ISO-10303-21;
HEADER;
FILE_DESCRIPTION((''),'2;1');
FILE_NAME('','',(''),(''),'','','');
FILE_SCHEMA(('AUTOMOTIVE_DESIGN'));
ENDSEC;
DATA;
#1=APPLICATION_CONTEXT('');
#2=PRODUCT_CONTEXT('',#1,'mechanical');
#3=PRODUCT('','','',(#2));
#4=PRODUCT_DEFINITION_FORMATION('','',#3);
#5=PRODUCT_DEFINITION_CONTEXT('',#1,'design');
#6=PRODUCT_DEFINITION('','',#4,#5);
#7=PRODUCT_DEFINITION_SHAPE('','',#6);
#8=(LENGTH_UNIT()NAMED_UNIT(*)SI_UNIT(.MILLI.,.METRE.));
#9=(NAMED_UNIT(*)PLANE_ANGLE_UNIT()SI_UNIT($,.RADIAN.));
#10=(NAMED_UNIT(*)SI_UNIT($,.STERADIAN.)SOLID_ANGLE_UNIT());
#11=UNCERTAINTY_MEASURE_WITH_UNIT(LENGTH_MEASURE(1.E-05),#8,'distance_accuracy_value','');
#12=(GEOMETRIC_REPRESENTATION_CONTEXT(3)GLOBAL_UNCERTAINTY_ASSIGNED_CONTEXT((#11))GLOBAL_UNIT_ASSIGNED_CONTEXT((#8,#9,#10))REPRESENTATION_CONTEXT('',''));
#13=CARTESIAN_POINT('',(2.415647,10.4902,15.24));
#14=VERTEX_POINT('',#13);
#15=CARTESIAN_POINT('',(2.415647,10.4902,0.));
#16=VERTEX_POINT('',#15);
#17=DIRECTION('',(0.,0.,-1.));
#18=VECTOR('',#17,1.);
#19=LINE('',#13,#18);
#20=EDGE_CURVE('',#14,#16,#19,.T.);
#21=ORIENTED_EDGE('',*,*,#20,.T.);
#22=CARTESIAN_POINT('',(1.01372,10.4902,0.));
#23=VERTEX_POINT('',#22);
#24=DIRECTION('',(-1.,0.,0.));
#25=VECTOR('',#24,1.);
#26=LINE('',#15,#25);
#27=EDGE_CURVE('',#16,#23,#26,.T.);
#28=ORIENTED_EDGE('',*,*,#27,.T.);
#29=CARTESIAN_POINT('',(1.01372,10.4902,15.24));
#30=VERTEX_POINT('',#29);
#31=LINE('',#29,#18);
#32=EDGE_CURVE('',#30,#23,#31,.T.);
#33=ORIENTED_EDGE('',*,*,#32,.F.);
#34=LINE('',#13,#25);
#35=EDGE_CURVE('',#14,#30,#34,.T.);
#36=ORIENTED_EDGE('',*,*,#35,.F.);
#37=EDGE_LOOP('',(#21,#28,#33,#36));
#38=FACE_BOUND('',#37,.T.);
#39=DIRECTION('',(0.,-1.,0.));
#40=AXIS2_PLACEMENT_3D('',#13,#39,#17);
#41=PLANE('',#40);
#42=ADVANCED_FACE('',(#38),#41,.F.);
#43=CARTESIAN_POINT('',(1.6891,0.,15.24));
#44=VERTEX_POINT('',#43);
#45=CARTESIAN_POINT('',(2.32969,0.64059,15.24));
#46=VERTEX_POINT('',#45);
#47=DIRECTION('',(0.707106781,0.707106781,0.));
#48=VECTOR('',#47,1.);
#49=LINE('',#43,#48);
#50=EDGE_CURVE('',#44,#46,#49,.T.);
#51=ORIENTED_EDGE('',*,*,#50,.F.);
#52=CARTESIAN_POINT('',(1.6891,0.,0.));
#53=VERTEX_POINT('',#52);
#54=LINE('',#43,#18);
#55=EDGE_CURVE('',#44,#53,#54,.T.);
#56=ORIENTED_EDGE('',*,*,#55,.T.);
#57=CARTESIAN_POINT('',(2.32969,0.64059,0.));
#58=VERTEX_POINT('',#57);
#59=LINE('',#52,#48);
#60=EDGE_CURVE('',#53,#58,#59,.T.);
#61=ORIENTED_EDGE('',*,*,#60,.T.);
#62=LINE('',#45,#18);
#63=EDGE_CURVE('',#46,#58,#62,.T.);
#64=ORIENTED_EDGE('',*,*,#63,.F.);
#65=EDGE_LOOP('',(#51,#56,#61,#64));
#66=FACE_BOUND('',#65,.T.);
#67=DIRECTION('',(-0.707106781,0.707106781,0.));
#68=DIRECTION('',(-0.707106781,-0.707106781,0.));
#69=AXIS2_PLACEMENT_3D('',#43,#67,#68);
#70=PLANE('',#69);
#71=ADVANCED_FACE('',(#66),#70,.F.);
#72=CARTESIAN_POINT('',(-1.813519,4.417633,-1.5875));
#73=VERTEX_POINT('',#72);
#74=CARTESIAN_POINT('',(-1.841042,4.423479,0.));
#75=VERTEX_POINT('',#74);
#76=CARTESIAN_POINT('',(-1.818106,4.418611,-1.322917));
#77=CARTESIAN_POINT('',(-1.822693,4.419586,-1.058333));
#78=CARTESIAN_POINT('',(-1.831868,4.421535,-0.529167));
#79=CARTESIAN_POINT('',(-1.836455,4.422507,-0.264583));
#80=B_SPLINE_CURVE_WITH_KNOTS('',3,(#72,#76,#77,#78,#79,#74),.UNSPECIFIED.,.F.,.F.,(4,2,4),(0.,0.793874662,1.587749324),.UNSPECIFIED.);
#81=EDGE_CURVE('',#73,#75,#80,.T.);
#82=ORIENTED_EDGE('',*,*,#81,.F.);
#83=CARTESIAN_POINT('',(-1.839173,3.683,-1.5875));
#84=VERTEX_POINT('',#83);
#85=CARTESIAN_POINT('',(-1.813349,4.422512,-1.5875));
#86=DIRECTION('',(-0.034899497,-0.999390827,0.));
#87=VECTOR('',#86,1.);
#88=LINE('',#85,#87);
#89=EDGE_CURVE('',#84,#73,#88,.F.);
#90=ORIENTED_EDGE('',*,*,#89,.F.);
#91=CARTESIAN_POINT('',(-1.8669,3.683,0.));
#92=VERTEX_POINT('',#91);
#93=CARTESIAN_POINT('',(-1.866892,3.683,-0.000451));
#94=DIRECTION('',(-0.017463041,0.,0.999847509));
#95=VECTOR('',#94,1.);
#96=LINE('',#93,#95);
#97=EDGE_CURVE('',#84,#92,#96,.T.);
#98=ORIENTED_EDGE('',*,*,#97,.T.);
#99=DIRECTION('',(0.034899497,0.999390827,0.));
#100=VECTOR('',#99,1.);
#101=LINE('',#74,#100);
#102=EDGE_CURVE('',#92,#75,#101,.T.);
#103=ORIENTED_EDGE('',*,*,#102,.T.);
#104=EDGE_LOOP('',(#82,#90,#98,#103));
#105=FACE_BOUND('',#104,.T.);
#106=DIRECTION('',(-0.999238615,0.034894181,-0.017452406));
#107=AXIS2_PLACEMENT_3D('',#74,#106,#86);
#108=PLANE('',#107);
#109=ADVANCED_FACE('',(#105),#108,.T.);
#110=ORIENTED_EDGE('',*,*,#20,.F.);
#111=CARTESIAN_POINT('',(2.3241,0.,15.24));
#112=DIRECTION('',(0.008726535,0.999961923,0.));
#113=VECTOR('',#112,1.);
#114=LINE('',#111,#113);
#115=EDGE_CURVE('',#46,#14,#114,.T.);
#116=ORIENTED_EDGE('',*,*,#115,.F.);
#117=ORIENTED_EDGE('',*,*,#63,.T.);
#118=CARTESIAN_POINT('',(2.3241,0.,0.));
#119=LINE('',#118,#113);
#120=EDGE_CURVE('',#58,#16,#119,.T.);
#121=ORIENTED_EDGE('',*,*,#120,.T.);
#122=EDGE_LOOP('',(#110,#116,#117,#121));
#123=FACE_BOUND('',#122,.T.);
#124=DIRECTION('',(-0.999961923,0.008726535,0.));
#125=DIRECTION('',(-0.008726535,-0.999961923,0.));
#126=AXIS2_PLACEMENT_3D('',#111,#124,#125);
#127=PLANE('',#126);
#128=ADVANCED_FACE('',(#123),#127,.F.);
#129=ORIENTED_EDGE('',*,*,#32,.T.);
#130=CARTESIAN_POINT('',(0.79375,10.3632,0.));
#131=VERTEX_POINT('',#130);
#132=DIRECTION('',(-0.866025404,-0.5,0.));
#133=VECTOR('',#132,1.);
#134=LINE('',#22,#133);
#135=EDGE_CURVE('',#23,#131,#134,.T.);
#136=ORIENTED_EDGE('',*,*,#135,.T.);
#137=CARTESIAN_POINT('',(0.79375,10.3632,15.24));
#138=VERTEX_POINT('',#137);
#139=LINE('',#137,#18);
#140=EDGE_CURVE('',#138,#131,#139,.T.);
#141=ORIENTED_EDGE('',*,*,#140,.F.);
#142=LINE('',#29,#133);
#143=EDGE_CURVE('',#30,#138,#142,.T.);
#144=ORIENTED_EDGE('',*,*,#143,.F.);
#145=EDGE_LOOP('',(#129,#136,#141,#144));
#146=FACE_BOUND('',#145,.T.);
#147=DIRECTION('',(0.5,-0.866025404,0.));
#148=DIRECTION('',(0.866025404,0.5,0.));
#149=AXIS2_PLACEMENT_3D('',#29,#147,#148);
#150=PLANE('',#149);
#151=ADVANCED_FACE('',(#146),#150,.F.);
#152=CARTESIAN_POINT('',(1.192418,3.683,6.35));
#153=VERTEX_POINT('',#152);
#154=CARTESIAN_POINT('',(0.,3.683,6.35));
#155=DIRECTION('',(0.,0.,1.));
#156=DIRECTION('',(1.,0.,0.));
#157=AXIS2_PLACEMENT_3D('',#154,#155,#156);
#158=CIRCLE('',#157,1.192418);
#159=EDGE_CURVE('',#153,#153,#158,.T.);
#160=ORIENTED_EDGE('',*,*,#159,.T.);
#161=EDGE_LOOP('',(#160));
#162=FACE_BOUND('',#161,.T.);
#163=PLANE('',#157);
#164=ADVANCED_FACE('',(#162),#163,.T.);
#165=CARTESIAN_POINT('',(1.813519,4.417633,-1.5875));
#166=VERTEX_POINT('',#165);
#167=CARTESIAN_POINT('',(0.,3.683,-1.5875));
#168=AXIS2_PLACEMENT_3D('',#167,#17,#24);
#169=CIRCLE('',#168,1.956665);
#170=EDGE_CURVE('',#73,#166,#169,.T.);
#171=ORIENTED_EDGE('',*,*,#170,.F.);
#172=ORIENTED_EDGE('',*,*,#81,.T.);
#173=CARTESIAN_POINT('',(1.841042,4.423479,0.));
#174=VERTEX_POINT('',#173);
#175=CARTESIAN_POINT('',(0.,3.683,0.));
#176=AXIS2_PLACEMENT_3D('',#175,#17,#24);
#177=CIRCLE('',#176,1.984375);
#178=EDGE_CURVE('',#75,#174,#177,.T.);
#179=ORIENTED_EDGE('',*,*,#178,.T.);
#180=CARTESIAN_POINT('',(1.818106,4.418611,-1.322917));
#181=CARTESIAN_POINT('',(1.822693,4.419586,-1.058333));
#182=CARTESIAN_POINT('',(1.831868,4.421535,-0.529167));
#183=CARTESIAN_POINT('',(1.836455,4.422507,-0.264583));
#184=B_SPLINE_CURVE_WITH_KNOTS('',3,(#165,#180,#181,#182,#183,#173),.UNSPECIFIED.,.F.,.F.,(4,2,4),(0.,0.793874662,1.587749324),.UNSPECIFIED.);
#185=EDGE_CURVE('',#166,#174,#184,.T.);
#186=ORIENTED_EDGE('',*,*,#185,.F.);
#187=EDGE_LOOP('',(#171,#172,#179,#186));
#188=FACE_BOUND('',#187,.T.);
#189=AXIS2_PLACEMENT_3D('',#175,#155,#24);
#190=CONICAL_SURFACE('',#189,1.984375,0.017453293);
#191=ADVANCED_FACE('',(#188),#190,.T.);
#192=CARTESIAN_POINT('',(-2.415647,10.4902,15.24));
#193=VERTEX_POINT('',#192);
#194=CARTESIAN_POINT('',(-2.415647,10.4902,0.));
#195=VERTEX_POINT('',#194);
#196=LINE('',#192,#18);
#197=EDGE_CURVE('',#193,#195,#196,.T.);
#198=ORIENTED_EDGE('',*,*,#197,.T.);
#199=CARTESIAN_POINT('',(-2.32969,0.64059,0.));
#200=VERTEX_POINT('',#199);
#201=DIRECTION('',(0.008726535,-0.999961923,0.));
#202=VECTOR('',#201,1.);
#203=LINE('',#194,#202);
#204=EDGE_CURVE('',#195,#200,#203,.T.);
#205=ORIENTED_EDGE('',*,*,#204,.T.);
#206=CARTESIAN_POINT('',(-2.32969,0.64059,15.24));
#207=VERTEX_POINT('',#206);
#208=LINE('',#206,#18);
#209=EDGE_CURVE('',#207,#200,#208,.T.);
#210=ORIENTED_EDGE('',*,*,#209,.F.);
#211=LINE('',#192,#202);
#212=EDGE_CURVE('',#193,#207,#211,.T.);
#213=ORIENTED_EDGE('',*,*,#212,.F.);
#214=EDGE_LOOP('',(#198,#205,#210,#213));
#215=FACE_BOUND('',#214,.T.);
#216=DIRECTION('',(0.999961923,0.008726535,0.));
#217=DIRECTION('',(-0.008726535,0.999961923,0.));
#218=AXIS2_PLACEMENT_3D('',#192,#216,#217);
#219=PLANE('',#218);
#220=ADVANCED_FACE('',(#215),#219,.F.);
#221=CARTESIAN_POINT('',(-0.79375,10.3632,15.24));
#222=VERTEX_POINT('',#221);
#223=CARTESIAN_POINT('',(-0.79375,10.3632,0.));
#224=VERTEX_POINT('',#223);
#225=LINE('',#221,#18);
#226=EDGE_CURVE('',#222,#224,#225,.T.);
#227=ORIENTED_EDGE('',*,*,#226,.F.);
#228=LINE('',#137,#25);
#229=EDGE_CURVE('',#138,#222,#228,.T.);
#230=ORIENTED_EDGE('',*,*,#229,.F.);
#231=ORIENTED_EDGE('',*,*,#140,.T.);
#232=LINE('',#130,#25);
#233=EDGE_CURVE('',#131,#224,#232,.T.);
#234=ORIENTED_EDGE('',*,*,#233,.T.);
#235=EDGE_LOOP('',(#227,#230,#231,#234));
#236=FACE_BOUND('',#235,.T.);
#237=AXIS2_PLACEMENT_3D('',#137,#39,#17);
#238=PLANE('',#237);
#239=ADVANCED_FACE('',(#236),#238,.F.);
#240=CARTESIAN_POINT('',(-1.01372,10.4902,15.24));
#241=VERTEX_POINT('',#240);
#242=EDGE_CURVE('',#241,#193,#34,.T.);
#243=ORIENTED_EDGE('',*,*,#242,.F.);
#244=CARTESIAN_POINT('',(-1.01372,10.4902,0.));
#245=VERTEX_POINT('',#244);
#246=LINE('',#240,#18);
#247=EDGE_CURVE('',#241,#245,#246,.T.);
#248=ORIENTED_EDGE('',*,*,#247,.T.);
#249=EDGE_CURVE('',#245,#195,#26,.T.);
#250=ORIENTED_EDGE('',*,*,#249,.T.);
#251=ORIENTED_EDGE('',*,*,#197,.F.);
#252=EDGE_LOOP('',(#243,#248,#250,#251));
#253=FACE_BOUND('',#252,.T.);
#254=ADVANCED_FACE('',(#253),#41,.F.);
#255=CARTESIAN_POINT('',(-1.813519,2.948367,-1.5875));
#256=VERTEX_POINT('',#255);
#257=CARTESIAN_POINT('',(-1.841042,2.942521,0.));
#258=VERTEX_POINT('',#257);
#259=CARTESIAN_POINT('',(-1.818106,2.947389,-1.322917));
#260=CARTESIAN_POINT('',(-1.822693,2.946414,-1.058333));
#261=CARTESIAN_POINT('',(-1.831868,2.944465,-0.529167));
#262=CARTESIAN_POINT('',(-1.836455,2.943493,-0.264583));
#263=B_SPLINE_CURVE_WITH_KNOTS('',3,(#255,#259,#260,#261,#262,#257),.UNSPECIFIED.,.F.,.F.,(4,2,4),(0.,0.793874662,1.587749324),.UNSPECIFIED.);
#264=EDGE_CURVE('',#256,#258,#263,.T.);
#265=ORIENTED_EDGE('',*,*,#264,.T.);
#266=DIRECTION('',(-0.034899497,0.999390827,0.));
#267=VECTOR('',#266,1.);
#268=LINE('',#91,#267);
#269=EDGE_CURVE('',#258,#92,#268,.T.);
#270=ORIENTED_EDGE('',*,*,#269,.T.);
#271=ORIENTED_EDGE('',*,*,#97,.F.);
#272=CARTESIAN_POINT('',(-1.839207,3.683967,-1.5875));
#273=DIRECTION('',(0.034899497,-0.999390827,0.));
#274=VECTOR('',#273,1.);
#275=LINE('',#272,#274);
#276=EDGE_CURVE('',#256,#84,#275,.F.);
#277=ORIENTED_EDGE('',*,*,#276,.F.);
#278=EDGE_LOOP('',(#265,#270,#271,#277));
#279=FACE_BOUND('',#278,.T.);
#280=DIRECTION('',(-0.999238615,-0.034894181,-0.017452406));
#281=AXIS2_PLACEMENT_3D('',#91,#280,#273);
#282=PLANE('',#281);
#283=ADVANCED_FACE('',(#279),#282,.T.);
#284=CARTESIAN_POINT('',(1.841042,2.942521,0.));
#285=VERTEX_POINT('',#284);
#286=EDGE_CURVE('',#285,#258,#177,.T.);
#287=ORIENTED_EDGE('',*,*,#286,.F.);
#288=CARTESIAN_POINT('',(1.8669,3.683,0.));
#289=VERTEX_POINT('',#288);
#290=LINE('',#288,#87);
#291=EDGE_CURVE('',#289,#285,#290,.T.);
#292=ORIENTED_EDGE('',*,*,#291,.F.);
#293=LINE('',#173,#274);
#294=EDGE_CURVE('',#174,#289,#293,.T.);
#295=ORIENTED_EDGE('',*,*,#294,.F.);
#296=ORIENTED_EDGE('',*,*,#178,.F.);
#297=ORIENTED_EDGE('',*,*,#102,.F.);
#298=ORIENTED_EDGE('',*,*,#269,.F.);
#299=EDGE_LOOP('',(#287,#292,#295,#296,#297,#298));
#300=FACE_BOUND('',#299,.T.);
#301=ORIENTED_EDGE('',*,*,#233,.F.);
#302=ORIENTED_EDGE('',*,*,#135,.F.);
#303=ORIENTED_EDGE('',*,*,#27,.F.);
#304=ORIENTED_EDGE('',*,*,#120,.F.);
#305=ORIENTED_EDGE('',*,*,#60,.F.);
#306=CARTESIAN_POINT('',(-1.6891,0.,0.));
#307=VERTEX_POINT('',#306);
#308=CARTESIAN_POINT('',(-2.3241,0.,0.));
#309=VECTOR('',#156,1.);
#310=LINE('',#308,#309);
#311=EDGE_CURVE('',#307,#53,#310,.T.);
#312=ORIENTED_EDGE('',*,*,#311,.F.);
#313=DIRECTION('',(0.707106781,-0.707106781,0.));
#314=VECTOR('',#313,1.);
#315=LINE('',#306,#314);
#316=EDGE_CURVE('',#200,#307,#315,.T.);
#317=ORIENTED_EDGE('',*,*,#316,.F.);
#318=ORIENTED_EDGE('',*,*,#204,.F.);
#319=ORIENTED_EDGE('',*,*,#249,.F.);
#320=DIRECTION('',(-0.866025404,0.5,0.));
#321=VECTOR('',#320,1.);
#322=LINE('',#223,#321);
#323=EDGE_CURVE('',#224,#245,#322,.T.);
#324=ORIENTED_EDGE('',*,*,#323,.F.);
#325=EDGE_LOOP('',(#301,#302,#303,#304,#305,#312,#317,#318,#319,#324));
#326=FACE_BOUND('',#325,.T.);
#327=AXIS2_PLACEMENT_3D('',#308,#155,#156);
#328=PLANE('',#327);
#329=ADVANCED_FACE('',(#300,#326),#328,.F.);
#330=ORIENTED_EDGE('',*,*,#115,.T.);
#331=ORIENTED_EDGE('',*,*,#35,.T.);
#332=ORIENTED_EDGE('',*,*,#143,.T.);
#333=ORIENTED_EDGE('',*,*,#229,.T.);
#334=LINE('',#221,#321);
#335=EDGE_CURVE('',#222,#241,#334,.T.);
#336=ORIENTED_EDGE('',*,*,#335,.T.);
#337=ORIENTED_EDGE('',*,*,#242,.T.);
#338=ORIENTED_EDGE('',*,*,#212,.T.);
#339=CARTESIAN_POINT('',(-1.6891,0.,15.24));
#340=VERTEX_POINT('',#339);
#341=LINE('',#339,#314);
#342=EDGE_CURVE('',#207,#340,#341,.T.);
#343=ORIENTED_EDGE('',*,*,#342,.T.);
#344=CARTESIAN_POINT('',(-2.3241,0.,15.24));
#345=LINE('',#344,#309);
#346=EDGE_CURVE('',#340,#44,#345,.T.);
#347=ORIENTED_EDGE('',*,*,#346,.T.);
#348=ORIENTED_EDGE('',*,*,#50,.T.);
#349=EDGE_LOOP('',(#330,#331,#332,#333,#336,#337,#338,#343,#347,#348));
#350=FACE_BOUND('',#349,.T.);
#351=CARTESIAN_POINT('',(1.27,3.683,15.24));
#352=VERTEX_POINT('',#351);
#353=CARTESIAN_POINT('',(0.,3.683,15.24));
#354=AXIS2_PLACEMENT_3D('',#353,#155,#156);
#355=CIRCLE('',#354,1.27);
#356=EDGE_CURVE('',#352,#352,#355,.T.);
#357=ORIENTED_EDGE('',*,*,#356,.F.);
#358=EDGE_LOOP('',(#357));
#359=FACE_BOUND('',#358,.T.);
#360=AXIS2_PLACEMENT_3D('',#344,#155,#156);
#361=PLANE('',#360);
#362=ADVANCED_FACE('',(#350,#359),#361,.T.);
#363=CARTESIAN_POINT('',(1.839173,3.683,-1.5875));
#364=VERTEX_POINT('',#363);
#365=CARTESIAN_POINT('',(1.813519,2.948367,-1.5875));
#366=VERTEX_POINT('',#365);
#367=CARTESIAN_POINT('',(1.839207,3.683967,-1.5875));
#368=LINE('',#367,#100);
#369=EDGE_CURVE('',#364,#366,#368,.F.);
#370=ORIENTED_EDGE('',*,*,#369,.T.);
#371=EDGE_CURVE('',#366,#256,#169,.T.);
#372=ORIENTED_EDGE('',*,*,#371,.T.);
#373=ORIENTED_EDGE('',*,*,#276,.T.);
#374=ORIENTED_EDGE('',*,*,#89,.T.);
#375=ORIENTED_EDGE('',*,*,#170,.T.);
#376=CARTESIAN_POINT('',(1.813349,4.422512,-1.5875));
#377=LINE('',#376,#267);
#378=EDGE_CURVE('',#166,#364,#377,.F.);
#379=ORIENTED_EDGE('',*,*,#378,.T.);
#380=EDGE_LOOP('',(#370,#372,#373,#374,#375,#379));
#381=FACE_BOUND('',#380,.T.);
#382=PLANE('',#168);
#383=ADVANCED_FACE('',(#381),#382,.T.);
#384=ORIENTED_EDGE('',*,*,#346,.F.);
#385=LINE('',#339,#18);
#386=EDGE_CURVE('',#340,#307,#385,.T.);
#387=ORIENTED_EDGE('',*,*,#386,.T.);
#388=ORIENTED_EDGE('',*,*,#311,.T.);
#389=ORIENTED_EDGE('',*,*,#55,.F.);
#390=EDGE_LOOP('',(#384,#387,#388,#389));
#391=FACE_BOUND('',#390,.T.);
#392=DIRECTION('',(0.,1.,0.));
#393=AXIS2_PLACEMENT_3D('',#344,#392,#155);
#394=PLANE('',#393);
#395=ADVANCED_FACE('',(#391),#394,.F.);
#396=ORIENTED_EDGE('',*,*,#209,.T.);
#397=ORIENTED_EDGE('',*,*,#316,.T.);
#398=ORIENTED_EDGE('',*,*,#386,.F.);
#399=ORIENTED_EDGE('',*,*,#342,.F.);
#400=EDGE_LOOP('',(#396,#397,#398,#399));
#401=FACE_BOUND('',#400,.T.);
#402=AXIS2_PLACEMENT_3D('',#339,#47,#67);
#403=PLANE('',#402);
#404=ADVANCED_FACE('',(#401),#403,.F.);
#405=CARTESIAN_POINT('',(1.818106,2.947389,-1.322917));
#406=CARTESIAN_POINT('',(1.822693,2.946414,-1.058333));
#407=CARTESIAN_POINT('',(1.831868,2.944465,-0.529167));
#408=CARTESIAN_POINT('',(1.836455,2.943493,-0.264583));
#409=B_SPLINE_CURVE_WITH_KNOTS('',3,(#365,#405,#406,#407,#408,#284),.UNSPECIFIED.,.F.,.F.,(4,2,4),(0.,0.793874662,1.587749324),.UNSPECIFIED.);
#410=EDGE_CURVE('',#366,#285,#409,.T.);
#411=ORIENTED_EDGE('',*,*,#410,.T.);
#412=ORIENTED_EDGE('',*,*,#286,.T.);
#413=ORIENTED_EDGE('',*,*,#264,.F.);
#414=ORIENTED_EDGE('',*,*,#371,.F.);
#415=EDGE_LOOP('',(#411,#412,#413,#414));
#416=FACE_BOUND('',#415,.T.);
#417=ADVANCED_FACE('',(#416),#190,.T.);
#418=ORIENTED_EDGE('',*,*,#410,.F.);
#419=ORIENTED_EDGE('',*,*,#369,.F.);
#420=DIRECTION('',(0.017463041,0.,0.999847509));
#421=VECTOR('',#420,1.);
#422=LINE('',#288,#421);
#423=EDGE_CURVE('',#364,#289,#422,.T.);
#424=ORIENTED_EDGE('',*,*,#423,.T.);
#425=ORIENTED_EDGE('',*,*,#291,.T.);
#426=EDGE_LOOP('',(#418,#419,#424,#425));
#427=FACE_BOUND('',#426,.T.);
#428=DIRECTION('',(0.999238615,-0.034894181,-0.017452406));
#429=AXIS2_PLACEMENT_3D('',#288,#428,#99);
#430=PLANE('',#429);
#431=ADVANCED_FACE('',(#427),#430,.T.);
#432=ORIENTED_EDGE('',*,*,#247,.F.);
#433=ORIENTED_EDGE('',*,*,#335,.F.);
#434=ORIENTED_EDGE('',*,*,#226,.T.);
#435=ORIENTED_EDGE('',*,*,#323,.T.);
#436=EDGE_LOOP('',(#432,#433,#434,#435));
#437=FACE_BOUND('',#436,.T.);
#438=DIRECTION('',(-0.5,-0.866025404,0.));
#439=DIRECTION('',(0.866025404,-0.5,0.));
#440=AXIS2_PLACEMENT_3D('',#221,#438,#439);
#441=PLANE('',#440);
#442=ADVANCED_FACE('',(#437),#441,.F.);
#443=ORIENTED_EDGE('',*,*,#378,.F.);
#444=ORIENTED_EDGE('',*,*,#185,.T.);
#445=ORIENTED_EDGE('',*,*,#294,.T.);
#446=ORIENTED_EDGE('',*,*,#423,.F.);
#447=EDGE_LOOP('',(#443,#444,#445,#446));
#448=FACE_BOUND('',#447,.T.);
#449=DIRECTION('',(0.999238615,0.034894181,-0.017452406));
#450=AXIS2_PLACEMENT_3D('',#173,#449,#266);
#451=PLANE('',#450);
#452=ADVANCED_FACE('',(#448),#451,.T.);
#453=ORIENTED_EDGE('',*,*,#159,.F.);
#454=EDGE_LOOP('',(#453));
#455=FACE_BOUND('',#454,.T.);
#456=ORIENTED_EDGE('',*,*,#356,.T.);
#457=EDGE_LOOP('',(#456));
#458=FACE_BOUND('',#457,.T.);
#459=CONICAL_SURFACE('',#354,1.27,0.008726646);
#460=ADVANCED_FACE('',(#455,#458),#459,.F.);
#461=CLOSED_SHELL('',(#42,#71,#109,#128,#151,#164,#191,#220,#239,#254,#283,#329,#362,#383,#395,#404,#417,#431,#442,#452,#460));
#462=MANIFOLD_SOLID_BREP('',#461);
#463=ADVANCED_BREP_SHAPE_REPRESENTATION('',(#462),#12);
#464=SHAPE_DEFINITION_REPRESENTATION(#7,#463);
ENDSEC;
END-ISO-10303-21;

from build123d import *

# Parameters (mm, degrees)
EXTRUDE1_DEPTH     = 15.24
EXTRUDE2_DEPTH     = 1.5875
EXTRUDE2_TAPER     = 1
SKETCH3_R          = 1.27
EXTRUDE3_DEPTH     = 8.89
EXTRUDE3_TAPER     = 0.5
EXTRUDE4_DEPTH     = 16.2400001
CUT_EXTRUDE1_DEPTH = 16.2400001


with BuildPart() as part:
    # Sketch1 → Extrude1 (new body)
    with BuildSketch(Plane.XY):
        Polygon((-2.3241, 0), (2.3241, 0), (2.415646588, 10.4902), (-2.415646588, 10.4902), align=None)
    extrude(amount=EXTRUDE1_DEPTH)

    # Sketch2 → Extrude2 (add)
    with BuildSketch(Plane(origin=(0, 0, 0), x_dir=(-1, 0, 0), z_dir=(0, 0, -1))):
        with BuildLine():
            Line((-1.841041911, 4.423478779), (-1.8669, 3.683))
            Line((-1.8669, 3.683), (-1.841041911, 2.942521221))
            ThreePointArc((-1.841041911, 2.942521221), (0, 1.698625), (1.841041911, 2.942521221))
            Line((1.841041911, 2.942521221), (1.8669, 3.683))
            Line((1.8669, 3.683), (1.841041911, 4.423478779))
            ThreePointArc((1.841041911, 4.423478779), (0, 5.667375), (-1.841041911, 4.423478779))
        make_face()
    extrude(amount=EXTRUDE2_DEPTH, taper=EXTRUDE2_TAPER)

    # Sketch3 → Extrude3 (cut)
    with BuildSketch(Plane.XY.offset(15.24)):
        with Locations((0, 3.683)):
            Circle(SKETCH3_R)
    extrude(amount=-EXTRUDE3_DEPTH, taper=EXTRUDE3_TAPER, mode=Mode.SUBTRACT)

    # Sketch4 → Extrude4 (cut, through all)
    with BuildSketch(Plane(origin=(0, 0, 0), x_dir=(-1, 0, 0), z_dir=(0, 0, -1))):
        Polygon((-1.013720453, 10.4902), (-0.79375, 10.3632), (0.79375, 10.3632), (1.013720453, 10.4902), align=None)
    extrude(amount=-EXTRUDE4_DEPTH, mode=Mode.SUBTRACT)

    # Sketch5 → Cut-Extrude1 (cut, through all)
    with BuildSketch(Plane(origin=(0, 0, 0), x_dir=(-1, 0, 0), z_dir=(0, 0, -1))):
        Polygon((-1.6891, 0), (-2.329690347, 0.640590347), (-2.3241, 0), align=None)
        Polygon((2.3241, 0), (1.6891, 0), (2.329690347, 0.640590347), align=None)
    extrude(amount=-CUT_EXTRUDE1_DEPTH, mode=Mode.SUBTRACT)


solid = part.part
